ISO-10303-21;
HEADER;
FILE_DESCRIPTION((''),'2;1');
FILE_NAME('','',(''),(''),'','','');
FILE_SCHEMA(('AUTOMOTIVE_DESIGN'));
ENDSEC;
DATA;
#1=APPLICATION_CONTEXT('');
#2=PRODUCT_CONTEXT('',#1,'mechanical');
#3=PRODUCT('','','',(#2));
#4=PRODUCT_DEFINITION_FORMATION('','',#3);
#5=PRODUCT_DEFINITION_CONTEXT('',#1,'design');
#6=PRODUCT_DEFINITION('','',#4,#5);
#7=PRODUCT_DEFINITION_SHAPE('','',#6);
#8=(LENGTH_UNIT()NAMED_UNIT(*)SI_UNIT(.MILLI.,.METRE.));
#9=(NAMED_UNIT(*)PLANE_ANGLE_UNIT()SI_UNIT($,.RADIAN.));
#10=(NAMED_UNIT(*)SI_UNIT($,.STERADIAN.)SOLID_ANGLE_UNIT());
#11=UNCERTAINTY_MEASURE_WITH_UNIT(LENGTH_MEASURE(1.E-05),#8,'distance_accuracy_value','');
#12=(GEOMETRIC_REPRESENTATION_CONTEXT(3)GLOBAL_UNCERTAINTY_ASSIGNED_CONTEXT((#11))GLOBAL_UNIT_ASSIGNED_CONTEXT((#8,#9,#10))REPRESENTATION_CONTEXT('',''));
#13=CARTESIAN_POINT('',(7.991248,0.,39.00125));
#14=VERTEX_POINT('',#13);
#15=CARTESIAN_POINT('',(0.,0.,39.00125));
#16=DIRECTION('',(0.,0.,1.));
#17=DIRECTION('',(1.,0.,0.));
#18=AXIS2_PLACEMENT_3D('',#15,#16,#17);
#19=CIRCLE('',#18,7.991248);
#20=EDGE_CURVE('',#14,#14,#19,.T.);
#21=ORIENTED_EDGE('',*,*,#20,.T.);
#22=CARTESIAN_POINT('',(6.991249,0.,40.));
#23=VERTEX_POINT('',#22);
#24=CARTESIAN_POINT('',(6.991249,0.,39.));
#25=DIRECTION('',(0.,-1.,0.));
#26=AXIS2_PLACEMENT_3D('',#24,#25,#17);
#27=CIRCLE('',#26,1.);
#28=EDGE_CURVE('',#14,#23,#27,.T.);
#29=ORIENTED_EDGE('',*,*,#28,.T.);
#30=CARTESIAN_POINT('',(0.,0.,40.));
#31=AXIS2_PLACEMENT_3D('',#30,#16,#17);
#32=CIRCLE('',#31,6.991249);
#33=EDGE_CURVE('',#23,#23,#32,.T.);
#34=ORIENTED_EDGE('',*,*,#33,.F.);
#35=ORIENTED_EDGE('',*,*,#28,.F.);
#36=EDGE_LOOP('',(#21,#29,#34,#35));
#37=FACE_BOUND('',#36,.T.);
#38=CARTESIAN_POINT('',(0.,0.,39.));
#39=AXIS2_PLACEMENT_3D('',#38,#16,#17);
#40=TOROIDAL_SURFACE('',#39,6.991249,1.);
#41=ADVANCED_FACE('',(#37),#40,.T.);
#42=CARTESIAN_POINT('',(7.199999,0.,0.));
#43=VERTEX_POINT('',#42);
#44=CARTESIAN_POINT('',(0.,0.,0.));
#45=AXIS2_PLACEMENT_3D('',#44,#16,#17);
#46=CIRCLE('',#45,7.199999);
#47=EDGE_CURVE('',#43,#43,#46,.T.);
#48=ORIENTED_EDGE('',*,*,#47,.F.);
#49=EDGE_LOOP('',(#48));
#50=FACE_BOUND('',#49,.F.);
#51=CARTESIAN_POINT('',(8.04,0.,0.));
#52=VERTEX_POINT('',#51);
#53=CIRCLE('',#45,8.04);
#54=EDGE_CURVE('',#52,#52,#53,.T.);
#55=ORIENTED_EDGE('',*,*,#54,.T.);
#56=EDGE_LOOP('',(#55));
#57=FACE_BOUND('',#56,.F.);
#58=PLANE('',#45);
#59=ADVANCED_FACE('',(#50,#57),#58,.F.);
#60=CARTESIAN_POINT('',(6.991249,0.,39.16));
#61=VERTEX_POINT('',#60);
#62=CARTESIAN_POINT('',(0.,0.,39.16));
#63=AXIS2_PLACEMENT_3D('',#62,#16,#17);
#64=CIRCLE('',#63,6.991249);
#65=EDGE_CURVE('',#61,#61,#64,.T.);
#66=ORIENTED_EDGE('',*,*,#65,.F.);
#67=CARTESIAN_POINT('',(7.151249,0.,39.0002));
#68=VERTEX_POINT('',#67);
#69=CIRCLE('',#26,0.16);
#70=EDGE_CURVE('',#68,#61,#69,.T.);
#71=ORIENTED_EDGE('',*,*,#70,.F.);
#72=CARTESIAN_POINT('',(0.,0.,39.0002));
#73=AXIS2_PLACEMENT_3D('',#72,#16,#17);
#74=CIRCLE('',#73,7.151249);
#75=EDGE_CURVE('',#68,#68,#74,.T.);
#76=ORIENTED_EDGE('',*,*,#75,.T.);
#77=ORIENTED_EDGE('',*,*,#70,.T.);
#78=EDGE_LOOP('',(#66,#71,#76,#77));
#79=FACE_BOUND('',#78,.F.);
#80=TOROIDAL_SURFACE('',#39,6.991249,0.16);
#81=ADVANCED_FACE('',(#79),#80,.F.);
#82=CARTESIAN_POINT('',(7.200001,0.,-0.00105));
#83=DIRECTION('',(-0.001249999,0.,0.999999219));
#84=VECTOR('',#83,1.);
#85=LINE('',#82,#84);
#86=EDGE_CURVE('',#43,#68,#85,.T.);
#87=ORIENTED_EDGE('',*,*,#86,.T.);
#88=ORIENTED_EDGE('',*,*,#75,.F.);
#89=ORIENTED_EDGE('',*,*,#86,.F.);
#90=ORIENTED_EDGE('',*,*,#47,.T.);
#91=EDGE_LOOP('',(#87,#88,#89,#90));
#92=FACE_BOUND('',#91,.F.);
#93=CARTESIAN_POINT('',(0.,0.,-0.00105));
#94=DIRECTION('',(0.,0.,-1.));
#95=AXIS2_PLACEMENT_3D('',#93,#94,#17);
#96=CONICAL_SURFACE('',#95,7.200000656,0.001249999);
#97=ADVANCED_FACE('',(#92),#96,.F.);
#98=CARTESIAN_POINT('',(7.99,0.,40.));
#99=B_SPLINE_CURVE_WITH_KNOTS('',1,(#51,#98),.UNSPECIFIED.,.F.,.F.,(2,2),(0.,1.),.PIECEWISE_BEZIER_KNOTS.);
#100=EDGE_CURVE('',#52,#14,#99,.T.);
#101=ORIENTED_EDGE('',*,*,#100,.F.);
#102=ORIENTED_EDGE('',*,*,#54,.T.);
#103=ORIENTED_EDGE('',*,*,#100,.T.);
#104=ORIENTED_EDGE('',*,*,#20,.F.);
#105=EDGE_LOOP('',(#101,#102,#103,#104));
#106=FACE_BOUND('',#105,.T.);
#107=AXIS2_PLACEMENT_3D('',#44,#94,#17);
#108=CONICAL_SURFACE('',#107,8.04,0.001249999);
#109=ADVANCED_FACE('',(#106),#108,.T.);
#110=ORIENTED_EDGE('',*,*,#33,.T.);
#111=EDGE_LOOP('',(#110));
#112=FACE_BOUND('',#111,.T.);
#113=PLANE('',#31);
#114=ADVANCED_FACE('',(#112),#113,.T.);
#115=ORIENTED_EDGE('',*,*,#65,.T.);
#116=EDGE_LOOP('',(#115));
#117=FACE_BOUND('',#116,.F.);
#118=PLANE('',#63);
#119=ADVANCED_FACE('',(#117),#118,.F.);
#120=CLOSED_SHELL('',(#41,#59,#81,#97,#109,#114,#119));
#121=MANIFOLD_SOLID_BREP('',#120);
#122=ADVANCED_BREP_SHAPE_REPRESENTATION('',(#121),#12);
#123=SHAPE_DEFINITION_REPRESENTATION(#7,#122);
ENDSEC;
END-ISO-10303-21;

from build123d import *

# Parameters (mm, degrees)
F1_R = 8.04
F3_R = 7.99
F5_R = 1
F6_T = -0.84


with BuildPart() as f4:
    # F1 (on Top) → F4 section 0
    with BuildSketch(Plane.XY):
        Circle(F1_R)
    # F3 (on offset) → F4 section 1
    with BuildSketch(Plane.XY.offset(40)):
        Circle(F3_R)
    loft()

    # F5
    f5_edges = [f4.edges().sort_by_distance(p)[0] for p in [
        (-7.99, 0, 40),
    ]]
    fillet(f5_edges, radius=F5_R)

    # F6
    f6_openings = [f4.faces().sort_by_distance(p)[0] for p in [
        (0, 0, 0),
    ]]
    offset(amount=F6_T, openings=f6_openings, kind=Kind.INTERSECTION)


solid = f4.part
